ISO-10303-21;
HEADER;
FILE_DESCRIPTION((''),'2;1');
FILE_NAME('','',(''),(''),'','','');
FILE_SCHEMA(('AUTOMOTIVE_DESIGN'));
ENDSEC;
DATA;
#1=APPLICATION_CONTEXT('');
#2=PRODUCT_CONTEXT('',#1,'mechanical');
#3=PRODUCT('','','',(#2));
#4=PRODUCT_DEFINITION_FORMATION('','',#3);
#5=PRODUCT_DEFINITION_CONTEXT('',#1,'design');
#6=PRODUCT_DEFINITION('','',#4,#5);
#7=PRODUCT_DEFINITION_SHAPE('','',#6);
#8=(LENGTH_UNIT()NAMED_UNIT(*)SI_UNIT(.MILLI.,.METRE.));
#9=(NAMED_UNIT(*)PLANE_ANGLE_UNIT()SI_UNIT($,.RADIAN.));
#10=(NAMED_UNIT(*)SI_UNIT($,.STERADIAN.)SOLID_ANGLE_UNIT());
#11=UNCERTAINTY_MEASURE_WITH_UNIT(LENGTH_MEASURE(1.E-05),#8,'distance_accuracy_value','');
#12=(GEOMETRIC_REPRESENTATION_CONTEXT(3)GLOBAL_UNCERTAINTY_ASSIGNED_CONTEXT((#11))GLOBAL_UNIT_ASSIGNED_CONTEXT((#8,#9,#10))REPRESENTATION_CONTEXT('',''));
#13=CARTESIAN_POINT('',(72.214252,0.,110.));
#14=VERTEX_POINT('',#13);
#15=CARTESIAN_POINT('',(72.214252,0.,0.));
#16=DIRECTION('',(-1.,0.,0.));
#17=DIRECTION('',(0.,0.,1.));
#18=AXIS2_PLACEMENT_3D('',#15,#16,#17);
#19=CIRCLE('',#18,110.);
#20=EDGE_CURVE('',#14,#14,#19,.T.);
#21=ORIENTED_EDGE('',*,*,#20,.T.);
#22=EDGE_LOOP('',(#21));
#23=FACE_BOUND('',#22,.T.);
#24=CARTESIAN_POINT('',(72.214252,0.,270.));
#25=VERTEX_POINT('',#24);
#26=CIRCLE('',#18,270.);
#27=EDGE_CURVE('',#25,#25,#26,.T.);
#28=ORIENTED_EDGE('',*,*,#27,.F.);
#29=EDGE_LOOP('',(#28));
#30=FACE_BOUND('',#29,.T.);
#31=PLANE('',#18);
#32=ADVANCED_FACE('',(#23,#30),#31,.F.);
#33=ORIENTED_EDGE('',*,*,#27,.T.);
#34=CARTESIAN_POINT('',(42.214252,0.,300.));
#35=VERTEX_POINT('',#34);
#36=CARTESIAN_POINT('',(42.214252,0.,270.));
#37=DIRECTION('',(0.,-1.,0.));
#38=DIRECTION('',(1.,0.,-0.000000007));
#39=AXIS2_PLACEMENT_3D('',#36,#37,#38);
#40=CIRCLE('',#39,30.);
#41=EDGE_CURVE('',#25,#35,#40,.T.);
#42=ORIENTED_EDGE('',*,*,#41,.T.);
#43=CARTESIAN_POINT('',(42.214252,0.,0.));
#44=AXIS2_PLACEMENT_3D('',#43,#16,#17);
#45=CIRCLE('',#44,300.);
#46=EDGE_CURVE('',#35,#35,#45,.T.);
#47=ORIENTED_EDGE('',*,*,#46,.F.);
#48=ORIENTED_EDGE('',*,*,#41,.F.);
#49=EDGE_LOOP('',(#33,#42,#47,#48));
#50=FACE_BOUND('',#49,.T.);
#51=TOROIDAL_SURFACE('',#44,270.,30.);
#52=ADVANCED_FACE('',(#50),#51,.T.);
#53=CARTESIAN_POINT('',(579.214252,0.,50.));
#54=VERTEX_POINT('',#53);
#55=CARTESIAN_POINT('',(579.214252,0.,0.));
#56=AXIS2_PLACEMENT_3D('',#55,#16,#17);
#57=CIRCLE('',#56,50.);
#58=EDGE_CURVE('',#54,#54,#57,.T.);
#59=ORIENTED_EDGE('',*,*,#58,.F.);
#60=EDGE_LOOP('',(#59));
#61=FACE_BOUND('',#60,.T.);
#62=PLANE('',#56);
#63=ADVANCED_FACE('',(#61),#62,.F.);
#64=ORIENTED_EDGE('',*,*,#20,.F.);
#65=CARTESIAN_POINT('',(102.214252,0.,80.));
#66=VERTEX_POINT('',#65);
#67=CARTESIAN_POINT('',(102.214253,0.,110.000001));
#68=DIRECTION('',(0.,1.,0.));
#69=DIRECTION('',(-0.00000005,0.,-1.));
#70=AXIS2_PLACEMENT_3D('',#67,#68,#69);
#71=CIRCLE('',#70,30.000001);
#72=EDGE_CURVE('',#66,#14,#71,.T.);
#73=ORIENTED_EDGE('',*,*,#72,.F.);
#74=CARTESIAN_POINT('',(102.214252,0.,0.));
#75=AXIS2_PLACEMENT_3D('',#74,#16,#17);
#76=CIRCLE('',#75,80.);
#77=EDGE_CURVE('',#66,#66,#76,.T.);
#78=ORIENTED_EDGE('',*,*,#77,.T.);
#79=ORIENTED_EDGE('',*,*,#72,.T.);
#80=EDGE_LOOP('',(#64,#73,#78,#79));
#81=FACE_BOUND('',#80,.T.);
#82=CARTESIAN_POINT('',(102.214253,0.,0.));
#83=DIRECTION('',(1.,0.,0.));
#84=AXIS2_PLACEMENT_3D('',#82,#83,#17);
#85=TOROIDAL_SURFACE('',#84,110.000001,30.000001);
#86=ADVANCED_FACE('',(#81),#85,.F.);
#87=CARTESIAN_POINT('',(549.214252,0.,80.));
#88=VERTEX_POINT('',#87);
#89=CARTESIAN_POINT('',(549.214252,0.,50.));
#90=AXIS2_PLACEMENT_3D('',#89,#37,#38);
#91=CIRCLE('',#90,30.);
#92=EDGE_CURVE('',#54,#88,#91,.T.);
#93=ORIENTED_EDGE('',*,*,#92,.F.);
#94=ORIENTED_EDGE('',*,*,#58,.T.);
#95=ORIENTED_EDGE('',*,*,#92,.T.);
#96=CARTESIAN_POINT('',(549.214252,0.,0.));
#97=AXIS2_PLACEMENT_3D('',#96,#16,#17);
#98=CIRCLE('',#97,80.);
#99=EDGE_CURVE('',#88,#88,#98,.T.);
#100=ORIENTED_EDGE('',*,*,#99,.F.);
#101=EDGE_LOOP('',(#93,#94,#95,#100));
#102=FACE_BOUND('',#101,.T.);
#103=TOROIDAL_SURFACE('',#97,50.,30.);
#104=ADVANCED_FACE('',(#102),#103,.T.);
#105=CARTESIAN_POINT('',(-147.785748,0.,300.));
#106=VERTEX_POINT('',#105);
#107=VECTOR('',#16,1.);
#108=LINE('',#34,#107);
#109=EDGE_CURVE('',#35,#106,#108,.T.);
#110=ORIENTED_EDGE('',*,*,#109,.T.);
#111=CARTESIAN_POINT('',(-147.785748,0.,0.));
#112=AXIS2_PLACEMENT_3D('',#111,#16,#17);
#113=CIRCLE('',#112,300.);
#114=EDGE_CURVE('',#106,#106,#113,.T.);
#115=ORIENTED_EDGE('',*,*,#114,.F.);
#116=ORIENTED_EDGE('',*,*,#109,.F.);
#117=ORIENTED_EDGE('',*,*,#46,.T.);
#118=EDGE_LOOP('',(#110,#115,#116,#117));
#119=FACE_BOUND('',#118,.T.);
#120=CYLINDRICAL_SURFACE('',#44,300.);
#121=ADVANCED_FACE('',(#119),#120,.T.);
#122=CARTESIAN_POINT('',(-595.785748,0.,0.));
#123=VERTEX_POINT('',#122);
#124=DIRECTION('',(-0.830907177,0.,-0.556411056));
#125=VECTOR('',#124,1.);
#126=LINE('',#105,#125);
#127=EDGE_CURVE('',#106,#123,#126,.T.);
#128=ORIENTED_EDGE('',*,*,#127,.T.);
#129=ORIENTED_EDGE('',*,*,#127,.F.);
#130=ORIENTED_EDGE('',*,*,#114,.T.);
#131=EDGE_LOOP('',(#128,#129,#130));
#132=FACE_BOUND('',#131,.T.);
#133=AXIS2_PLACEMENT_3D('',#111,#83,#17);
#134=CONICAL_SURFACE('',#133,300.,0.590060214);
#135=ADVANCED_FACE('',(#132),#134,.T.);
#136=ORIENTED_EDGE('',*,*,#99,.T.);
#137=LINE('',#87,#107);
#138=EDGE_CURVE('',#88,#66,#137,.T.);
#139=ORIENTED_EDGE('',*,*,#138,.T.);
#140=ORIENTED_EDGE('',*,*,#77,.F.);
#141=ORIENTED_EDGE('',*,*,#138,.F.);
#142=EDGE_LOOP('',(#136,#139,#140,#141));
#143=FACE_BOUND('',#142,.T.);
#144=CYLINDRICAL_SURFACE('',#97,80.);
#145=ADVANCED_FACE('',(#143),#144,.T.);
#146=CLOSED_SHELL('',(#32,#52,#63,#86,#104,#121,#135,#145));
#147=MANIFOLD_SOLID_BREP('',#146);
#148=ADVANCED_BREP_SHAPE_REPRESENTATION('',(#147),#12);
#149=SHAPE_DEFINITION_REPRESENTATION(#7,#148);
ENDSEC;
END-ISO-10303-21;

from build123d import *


with BuildPart() as f1:
    # F0 (on Front) → F1 (revolve)
    with BuildSketch(Plane.XZ):
        with BuildLine():
            Line((-595.785748, 0), (579.214252, 0))
            Line((579.214252, 0), (579.214252, 50))
            ThreePointArc((579.214252, 50), (570.427456, 71.213203), (549.214252, 80))
            Line((549.214252, 80), (102.214252, 80))
            ThreePointArc((102.214252, 80), (81.001049, 88.786797), (72.214252, 110))
            Line((72.214252, 110), (72.214252, 270))
            ThreePointArc((72.214252, 270), (63.427456, 291.213203), (42.214252, 300))
            Line((42.214252, 300), (-147.785748, 300))
            Line((-147.785748, 300), (-595.785748, 0))
        make_face()
    revolve(axis=Axis((-8.285748, 0, 0), (-1, 0, 0)))


solid = f1.part
